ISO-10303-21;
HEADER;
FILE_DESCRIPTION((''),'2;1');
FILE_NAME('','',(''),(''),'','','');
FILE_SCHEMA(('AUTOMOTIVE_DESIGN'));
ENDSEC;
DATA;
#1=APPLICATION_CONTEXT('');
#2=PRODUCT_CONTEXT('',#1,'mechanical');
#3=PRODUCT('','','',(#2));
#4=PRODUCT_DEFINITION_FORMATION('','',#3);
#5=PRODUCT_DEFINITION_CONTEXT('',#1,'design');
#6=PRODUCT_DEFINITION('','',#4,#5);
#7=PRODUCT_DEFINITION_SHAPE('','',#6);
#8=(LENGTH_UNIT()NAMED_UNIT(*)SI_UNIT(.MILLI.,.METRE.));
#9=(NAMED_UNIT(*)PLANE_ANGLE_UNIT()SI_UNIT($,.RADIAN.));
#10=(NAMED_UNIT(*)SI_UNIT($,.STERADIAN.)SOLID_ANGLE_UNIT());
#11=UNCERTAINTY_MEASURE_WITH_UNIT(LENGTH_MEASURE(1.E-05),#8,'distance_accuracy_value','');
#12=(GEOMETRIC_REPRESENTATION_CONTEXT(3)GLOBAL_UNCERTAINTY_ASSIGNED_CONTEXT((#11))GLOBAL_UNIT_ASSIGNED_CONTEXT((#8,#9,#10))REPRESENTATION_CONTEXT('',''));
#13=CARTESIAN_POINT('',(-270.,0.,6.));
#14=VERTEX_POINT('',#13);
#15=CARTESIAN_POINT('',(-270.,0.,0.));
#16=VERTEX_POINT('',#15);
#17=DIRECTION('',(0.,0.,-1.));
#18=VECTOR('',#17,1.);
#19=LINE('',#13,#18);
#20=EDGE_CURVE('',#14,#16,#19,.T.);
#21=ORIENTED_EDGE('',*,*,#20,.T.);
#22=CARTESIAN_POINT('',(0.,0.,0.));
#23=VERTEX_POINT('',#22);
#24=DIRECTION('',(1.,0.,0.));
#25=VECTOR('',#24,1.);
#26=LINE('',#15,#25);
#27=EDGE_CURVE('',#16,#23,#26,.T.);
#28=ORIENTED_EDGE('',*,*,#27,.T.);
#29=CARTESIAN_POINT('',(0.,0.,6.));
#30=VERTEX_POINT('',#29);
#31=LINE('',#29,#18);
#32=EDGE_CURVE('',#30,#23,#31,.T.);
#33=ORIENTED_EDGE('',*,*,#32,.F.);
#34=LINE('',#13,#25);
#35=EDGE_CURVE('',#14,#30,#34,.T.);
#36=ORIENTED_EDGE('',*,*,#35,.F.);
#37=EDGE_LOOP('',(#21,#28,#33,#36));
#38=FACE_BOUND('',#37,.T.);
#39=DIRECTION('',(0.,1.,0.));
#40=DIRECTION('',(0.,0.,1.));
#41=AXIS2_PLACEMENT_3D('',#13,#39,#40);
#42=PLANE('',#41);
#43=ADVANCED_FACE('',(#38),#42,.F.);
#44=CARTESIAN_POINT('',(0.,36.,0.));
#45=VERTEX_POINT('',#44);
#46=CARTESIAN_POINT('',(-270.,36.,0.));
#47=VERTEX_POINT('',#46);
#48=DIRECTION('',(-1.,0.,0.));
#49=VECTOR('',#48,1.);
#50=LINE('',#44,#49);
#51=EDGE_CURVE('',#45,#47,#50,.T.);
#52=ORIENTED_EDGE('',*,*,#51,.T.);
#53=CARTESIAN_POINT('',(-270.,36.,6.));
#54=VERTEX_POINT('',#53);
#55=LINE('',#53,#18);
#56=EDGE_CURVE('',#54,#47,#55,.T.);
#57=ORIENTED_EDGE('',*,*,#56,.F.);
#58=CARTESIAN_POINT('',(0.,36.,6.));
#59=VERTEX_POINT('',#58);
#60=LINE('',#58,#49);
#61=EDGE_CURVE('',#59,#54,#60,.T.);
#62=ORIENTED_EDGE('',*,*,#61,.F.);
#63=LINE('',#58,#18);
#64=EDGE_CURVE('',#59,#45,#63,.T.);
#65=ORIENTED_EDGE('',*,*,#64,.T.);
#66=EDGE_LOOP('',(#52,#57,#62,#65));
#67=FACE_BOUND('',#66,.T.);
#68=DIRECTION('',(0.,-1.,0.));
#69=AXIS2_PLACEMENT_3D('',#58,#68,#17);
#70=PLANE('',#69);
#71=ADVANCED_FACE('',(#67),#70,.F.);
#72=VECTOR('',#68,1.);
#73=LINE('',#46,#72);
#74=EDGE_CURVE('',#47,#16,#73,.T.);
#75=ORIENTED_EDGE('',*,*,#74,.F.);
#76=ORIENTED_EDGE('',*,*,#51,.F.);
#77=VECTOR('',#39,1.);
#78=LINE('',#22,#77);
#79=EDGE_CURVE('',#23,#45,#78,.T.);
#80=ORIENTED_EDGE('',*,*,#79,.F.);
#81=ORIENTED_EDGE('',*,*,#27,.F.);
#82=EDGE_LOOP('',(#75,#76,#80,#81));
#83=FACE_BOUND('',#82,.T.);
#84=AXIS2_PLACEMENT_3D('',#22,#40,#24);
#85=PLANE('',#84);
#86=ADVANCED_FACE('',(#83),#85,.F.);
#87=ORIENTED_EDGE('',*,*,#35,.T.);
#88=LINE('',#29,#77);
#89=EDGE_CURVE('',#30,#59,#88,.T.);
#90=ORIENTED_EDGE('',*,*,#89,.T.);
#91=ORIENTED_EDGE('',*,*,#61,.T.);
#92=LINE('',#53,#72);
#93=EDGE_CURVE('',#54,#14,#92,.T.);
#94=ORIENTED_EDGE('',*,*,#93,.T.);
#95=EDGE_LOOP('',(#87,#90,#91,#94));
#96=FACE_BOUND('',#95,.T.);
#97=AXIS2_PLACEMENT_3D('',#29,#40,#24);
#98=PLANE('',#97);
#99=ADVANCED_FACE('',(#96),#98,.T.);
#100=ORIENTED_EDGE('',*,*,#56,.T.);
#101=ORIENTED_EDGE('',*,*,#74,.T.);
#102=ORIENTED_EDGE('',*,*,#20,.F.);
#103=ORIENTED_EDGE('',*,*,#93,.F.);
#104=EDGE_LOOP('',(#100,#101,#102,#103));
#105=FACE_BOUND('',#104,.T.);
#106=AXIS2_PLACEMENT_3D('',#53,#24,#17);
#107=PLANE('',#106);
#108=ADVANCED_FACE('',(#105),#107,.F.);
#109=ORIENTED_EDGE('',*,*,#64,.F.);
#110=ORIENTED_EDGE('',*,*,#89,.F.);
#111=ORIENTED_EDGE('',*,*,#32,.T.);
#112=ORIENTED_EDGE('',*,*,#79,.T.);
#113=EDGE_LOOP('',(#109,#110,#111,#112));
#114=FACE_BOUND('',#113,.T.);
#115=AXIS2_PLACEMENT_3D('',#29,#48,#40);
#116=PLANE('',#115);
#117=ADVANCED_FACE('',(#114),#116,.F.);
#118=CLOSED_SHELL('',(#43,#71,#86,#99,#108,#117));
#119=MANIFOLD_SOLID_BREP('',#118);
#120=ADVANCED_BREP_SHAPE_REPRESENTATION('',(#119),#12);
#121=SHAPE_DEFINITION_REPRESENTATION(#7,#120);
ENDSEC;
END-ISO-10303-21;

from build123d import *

# Parameters (mm, degrees)
ESBO_O1_W                = 270
ESBO_O1_H                = 36
RESSALTO_EXTRUS_O1_DEPTH = 6


with BuildPart() as part:
    # Esboço1 → Ressalto-extrusão1 (new body)
    with BuildSketch(Plane.XY):
        with Locations((-135, 18)):
            Rectangle(ESBO_O1_W, ESBO_O1_H)
    extrude(amount=RESSALTO_EXTRUS_O1_DEPTH)


solid = part.part
